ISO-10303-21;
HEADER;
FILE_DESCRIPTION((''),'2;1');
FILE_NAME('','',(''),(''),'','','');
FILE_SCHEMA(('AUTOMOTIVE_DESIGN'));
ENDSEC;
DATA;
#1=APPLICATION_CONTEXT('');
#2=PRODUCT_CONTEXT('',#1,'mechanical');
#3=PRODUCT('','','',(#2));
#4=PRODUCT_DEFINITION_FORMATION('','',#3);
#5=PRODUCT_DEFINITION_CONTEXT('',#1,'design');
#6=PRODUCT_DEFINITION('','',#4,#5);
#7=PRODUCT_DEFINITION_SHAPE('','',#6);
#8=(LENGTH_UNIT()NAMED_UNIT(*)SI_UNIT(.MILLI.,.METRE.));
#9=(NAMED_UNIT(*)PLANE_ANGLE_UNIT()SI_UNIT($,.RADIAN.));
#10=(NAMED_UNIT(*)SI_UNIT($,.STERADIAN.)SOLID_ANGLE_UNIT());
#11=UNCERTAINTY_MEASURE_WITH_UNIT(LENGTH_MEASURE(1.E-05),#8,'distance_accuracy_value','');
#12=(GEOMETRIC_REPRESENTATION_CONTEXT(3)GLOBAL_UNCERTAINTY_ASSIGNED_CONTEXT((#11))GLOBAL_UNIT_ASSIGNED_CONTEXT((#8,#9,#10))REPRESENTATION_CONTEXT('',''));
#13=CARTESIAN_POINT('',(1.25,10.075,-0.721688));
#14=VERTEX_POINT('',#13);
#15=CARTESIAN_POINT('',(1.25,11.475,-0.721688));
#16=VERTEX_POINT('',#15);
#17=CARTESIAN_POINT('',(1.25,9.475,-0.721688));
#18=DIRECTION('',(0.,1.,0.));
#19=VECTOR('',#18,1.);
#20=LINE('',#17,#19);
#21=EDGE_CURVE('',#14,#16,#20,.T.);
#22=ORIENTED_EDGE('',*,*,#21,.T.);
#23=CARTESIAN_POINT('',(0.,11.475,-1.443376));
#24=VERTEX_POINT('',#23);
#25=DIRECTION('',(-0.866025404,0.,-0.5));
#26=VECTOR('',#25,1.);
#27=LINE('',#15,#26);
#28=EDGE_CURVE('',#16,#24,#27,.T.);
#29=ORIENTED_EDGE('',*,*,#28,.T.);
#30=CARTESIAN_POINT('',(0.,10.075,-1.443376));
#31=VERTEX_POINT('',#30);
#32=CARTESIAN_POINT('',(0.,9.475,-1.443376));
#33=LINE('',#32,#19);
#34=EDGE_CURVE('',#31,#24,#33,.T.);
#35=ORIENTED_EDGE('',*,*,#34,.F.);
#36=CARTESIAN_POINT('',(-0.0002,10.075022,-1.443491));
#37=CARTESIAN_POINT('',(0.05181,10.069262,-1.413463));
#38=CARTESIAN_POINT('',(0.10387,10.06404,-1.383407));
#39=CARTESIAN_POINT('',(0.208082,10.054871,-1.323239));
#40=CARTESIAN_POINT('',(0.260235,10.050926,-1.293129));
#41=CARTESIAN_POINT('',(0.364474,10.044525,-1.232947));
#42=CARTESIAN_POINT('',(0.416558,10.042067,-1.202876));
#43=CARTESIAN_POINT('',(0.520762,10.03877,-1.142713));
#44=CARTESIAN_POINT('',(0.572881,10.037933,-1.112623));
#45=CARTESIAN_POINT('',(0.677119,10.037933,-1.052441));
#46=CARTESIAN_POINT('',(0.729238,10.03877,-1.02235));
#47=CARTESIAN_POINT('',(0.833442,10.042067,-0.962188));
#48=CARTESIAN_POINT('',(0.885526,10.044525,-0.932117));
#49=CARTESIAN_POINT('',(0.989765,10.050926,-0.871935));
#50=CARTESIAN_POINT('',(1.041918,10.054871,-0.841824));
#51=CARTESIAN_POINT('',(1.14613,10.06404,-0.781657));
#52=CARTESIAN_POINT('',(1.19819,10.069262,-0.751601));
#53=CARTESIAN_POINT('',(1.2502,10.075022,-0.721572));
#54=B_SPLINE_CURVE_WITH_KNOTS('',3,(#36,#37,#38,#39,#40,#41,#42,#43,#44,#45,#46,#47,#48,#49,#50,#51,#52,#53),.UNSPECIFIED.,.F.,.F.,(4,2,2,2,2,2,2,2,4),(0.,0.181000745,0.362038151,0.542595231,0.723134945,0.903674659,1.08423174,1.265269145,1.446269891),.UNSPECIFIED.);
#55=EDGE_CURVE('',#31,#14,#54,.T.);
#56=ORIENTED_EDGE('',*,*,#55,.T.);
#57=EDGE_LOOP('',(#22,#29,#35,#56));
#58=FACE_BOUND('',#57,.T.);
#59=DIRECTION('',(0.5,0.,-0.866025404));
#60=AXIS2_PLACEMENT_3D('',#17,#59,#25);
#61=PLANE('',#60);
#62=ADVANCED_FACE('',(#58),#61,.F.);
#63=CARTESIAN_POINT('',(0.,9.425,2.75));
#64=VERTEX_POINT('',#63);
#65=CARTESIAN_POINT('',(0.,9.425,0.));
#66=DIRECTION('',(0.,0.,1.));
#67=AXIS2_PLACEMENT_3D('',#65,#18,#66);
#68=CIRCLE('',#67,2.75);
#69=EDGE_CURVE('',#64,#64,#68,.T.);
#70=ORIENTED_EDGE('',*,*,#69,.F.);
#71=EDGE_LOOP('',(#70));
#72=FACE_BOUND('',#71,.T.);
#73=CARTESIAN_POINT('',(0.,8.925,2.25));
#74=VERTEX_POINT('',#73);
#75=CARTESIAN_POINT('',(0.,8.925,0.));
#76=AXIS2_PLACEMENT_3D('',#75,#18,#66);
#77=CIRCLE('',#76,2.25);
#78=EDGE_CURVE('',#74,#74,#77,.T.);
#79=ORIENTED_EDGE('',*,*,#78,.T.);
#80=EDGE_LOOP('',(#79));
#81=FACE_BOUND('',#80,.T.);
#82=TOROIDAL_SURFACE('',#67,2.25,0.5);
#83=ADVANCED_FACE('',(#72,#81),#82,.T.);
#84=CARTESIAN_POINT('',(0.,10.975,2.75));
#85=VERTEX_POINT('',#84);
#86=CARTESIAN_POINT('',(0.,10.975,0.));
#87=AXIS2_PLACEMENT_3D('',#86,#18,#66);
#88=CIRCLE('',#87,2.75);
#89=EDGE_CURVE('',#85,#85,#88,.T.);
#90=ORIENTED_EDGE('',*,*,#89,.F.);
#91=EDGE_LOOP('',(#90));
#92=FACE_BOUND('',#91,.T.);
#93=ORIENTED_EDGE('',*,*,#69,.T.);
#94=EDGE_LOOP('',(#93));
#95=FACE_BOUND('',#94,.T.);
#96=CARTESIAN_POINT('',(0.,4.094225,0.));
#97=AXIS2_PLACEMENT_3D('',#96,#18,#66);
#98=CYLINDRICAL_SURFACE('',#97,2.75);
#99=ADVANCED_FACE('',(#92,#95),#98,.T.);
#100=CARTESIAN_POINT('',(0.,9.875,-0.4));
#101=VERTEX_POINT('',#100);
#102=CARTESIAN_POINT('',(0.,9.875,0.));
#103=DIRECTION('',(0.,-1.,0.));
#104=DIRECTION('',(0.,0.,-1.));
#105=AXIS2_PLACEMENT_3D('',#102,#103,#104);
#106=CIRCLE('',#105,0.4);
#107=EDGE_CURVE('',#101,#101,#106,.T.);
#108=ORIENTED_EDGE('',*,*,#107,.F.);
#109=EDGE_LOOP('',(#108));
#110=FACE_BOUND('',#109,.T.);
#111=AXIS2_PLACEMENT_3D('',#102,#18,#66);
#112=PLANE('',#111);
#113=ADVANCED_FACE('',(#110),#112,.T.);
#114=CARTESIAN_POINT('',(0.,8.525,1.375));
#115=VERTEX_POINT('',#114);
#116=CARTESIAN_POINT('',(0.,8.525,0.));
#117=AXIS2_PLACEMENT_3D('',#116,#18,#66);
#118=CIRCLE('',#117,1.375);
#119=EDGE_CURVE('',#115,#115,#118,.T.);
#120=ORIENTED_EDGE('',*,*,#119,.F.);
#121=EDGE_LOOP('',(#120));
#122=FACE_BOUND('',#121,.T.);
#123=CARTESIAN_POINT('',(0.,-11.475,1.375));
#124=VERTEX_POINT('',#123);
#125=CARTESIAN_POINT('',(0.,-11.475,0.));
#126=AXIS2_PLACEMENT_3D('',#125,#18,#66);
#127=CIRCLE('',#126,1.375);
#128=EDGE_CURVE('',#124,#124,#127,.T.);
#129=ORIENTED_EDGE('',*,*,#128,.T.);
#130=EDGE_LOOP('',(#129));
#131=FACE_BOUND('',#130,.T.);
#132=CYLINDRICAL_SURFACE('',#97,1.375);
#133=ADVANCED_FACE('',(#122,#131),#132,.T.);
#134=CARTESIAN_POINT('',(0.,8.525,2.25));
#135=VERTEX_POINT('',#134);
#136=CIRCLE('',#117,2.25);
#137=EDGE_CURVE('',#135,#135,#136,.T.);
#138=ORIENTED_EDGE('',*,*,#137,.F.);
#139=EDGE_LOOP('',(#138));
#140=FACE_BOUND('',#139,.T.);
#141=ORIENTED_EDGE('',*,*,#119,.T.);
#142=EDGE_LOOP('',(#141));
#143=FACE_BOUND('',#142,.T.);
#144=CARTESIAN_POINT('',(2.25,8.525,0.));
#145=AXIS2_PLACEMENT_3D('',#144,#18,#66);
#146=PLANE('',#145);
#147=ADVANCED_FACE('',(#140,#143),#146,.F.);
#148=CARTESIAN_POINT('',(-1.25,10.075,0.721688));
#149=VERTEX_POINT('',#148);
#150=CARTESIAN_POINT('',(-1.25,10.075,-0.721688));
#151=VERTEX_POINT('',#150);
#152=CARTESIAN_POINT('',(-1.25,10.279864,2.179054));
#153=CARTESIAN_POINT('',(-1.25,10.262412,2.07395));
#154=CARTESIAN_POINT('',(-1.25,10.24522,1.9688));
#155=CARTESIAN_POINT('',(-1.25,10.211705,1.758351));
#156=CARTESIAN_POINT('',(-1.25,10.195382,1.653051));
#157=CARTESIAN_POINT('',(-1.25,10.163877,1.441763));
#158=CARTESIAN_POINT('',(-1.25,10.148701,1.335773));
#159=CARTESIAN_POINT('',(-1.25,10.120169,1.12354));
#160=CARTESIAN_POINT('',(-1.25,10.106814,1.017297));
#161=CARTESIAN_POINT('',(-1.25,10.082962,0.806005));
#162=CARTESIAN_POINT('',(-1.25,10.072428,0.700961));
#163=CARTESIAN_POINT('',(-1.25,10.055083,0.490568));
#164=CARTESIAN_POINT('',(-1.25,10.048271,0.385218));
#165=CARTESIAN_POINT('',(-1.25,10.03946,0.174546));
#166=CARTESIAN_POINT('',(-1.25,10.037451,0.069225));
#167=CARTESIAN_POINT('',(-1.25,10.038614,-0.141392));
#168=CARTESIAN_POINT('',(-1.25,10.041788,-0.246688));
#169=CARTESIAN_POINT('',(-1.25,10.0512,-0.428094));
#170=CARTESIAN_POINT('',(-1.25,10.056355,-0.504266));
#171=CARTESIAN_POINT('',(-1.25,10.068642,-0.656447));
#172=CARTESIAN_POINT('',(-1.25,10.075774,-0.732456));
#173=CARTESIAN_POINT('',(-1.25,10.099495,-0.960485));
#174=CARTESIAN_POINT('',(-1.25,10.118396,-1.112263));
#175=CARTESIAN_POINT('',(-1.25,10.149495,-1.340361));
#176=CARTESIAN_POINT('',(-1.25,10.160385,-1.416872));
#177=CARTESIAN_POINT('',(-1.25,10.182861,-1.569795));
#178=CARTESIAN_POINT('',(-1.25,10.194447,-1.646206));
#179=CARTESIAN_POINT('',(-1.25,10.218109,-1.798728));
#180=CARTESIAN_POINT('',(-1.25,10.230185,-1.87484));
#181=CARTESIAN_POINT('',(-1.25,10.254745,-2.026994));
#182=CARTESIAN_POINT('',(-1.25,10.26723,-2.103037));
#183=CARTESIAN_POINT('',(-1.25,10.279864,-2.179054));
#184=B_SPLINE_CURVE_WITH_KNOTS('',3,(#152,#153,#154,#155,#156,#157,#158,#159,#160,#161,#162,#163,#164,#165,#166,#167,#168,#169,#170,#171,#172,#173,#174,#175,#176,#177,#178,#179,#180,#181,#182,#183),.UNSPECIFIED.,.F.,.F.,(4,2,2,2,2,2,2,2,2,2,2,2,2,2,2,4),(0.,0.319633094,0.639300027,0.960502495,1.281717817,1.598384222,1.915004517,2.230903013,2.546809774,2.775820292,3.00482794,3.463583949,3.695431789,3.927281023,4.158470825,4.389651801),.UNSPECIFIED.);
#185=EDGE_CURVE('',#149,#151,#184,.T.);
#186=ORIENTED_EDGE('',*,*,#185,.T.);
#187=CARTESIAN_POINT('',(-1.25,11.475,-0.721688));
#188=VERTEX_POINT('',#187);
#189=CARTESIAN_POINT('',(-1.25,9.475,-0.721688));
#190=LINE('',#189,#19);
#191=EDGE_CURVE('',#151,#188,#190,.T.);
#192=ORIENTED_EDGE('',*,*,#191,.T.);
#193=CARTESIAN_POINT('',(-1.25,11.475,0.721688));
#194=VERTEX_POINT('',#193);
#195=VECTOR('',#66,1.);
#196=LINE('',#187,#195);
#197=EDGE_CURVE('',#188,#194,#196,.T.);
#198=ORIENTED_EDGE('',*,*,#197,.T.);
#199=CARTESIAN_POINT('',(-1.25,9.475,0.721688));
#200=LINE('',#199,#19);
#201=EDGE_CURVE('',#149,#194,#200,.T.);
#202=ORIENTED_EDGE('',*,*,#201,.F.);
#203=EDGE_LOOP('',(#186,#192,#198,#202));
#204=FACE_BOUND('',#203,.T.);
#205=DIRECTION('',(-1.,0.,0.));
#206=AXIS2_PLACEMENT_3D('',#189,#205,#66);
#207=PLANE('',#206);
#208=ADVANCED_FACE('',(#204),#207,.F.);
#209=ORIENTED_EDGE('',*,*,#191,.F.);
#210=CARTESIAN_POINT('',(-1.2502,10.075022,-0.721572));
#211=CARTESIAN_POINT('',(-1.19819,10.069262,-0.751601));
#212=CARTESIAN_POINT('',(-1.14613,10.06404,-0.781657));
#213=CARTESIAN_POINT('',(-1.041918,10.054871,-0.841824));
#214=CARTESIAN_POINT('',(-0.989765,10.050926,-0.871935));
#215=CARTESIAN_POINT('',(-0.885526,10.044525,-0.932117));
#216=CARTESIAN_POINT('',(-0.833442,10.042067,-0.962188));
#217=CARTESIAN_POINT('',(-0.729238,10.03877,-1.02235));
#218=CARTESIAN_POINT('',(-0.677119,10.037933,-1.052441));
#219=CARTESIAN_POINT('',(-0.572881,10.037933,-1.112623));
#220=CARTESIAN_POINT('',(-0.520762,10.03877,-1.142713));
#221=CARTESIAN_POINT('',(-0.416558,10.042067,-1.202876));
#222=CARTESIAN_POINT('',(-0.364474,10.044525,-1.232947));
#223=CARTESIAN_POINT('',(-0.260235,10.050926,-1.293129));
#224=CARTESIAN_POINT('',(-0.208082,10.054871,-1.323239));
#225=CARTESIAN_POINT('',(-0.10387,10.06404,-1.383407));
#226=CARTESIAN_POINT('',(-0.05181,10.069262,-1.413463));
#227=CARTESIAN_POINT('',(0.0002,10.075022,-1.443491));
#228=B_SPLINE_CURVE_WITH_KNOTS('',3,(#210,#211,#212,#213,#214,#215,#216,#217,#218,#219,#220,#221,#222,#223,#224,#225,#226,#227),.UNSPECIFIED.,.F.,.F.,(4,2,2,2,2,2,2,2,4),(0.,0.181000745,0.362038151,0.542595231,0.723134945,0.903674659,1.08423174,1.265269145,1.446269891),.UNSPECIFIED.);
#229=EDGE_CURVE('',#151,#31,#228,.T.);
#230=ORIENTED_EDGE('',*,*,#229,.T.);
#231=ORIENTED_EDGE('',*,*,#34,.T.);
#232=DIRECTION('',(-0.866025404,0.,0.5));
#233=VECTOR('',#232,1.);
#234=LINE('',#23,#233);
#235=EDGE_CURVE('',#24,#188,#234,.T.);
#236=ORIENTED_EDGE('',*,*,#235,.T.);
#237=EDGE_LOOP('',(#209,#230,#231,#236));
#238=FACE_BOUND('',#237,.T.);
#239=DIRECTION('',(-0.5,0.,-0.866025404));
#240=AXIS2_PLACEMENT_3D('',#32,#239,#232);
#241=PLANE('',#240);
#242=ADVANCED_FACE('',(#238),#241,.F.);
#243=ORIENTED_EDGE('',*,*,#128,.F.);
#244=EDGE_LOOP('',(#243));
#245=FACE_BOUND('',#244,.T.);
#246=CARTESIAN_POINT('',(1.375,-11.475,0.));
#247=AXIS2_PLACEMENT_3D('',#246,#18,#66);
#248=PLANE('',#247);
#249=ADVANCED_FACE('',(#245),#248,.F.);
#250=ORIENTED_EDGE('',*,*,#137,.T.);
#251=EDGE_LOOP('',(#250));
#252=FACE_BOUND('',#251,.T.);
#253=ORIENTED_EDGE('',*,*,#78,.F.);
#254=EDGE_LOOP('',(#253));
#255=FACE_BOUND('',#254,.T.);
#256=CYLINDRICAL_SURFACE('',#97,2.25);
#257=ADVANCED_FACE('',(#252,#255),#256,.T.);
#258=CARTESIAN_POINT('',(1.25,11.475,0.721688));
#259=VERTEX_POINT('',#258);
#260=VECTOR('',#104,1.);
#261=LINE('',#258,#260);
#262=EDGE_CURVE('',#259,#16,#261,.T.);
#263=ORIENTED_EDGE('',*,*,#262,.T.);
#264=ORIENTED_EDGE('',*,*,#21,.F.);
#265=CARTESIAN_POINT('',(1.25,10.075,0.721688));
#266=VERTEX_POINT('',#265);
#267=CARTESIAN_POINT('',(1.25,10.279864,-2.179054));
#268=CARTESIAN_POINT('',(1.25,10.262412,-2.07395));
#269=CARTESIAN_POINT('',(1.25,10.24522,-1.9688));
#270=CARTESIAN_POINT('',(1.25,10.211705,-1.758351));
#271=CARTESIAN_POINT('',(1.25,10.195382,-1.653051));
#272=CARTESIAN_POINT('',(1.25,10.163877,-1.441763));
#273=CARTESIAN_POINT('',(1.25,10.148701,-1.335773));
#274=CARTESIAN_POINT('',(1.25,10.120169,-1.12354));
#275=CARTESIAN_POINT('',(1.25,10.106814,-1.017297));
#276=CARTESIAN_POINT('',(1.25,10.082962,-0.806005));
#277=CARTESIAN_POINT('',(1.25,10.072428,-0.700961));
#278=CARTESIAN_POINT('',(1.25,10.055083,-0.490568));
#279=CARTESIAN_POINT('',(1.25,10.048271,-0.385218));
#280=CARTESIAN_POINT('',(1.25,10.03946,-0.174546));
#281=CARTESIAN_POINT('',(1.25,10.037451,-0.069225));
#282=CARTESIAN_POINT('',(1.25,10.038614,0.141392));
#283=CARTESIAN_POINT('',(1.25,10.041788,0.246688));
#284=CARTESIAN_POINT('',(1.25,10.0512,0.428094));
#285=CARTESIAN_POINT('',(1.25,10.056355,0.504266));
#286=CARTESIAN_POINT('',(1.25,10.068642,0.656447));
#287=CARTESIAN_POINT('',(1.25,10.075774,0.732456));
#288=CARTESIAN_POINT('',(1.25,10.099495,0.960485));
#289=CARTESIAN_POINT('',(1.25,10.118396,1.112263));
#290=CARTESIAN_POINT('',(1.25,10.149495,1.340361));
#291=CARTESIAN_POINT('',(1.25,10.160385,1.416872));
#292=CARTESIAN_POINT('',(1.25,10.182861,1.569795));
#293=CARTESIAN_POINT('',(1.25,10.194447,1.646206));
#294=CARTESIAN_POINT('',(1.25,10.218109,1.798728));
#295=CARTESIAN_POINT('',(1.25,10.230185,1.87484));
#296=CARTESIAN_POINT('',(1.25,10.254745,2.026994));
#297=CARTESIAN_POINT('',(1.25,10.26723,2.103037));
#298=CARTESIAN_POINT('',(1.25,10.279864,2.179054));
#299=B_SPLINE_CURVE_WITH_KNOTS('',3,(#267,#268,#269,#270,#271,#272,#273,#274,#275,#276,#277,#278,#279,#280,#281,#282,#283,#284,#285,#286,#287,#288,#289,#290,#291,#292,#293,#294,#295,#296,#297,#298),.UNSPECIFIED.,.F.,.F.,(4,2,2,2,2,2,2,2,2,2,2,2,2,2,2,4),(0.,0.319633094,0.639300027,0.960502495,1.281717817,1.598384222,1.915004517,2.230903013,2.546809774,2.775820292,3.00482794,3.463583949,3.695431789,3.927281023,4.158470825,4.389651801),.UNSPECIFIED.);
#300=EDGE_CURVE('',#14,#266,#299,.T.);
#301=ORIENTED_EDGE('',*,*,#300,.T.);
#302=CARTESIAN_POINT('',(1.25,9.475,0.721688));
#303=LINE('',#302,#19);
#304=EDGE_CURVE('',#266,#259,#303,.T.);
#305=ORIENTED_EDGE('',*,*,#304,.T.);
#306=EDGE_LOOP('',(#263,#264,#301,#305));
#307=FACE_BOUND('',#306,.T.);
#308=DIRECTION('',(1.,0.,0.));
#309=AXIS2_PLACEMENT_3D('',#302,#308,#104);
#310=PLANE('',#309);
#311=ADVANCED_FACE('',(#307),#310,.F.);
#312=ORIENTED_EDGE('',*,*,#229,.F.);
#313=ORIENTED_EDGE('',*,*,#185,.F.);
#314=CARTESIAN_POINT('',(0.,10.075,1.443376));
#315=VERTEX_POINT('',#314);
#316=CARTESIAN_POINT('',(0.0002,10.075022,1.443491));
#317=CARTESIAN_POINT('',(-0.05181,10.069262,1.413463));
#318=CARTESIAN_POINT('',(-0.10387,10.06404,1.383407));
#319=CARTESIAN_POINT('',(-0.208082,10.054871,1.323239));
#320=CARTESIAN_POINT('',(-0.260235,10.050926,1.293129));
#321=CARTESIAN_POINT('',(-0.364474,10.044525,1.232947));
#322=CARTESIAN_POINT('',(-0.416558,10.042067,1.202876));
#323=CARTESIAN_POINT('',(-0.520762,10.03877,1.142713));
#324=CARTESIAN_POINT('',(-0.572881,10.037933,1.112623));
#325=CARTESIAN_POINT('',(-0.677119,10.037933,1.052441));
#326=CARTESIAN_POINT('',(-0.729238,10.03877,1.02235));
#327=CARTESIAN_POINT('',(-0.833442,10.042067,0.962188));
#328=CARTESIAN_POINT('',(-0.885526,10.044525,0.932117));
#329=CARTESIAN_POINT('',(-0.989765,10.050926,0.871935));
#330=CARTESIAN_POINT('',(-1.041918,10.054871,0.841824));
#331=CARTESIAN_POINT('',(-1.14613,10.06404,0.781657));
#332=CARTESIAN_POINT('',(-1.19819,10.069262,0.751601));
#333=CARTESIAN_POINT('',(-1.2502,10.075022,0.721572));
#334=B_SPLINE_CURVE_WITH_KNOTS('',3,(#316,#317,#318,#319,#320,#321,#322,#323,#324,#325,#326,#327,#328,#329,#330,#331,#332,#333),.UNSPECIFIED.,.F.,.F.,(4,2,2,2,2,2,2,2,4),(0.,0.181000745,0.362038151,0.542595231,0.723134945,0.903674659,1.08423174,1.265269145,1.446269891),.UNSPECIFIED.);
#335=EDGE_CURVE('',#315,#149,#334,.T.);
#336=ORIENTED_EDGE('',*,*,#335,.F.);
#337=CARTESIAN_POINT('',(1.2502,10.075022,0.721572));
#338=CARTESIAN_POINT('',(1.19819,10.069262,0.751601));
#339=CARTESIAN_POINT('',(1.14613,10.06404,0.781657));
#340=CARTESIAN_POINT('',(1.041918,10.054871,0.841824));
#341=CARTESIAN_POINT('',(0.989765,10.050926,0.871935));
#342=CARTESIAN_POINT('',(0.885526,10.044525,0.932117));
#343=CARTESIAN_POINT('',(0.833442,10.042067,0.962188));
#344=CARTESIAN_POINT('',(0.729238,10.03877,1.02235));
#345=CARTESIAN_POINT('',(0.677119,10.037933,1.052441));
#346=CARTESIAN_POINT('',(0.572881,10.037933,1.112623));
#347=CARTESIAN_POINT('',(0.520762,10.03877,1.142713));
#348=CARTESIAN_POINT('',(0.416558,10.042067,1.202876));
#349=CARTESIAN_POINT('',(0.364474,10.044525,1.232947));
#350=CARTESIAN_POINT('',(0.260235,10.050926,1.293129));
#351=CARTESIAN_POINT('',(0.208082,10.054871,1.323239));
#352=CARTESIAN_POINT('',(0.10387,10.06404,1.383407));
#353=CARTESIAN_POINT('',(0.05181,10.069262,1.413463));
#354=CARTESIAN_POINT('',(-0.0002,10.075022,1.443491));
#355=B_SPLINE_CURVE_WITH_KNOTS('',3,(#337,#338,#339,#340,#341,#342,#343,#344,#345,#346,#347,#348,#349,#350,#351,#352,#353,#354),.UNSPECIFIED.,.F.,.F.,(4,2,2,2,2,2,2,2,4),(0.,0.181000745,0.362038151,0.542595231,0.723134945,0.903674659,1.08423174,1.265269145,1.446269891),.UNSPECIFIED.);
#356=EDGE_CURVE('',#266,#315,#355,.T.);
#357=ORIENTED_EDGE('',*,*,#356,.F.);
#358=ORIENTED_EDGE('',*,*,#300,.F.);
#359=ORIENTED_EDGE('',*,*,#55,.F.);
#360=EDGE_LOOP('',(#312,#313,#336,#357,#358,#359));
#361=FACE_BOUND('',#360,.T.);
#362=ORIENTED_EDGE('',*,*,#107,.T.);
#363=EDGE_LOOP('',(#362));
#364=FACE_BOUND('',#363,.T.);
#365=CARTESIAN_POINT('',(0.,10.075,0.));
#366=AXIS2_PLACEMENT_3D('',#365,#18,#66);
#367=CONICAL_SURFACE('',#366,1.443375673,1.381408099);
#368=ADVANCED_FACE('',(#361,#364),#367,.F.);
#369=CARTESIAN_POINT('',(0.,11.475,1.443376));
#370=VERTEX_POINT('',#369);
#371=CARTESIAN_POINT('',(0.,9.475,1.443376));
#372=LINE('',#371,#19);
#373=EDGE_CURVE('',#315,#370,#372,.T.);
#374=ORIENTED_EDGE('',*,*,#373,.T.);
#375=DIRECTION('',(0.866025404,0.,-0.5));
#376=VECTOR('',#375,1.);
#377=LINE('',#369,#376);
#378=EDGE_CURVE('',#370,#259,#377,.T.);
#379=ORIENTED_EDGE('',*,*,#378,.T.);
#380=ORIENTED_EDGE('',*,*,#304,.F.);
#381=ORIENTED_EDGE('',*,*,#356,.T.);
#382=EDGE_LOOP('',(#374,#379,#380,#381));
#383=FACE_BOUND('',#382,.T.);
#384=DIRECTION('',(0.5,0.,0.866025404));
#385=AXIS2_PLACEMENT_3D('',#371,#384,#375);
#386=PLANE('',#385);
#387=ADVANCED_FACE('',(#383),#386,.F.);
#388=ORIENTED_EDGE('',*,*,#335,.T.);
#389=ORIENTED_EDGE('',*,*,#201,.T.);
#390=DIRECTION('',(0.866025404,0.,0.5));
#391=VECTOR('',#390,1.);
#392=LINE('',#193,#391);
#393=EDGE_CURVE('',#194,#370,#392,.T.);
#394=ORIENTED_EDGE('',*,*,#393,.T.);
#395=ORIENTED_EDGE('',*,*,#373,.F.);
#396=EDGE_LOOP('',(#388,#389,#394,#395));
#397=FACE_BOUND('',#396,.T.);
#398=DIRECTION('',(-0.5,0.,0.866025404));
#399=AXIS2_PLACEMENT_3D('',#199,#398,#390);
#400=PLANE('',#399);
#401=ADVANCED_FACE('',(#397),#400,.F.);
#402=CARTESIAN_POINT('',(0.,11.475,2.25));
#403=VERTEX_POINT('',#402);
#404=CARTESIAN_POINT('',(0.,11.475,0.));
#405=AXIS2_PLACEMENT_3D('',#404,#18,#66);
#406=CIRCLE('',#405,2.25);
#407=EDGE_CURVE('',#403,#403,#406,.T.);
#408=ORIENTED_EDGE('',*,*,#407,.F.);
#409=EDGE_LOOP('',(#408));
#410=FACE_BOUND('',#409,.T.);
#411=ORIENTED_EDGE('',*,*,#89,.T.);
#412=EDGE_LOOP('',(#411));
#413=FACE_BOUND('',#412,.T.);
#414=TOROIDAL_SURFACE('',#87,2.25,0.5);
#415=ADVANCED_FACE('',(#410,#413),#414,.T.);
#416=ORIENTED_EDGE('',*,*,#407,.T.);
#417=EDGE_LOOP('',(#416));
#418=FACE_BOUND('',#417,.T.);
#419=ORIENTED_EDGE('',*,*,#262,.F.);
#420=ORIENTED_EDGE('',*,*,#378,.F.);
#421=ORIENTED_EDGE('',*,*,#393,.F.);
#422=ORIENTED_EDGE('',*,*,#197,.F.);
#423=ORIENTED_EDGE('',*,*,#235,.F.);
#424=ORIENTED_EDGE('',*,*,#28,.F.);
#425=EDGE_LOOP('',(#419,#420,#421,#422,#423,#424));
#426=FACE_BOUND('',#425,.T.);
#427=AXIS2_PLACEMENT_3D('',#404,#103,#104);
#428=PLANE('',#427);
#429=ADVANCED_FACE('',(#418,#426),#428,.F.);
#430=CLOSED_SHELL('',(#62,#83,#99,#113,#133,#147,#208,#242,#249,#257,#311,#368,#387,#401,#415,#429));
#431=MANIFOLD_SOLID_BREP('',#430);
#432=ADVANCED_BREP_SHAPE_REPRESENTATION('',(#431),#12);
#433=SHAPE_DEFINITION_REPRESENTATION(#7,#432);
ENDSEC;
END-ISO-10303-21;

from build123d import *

# Parameters (mm, degrees)
BOSS_EXTRUDE1_DEPTH = 2


with BuildPart() as part:
    # Sketch1 → Revolve1 (revolve)
    with BuildSketch(Plane.XY):
        with BuildLine():
            Line((0, 11.475), (2.25, 11.475))
            ThreePointArc((2.25, 11.475), (2.603553391, 11.328553391), (2.75, 10.975))
            Line((2.75, 10.975), (2.75, 9.425))
            ThreePointArc((2.75, 9.425), (2.603553391, 9.071446609), (2.25, 8.925))
            Line((2.25, 8.925), (2.25, 8.525))
            Line((2.25, 8.525), (1.375, 8.525))
            Line((1.375, 8.525), (1.375, -11.475))
            Line((1.375, -11.475), (0, -11.475))
            Line((0, -11.475), (0, 11.475))
        make_face()
    revolve(axis=Axis((0, 4.094224924, 0), (0, -1, 0)))


with BuildPart() as body_2:
    # Sketch2 → Boss-Extrude1 (new body)
    with BuildSketch(Plane(origin=(0, 11.475, 0), x_dir=(1, 0, 0), z_dir=(0, 1, 0))):
        Polygon((0, 1.443375673), (-1.25, 0.721687836), (-1.25, -0.721687836), (0, -1.443375673), (1.25, -0.721687836), (1.25, 0.721687836), align=None)
    extrude(amount=-BOSS_EXTRUDE1_DEPTH)

    # Sketch3 → Cut-Revolve1 (revolve, cut)
    with BuildSketch(Plane(origin=(0, 0, 0), x_dir=(0, 0, -1), z_dir=(1, 0, 0))):
        Polygon((0, 9.875), (0.4, 9.875), (1.443375673, 10.075), (1.443375673, 9.475), (0, 9.475), align=None)
    revolve(axis=Axis((0, 9.475, 0), (0, 1, 0)), mode=Mode.SUBTRACT)


with BuildPart() as part_1:
    add(part.part)

    # Combine1: cut body 2
    add(body_2.part, mode=Mode.SUBTRACT)


solid = part_1.part
